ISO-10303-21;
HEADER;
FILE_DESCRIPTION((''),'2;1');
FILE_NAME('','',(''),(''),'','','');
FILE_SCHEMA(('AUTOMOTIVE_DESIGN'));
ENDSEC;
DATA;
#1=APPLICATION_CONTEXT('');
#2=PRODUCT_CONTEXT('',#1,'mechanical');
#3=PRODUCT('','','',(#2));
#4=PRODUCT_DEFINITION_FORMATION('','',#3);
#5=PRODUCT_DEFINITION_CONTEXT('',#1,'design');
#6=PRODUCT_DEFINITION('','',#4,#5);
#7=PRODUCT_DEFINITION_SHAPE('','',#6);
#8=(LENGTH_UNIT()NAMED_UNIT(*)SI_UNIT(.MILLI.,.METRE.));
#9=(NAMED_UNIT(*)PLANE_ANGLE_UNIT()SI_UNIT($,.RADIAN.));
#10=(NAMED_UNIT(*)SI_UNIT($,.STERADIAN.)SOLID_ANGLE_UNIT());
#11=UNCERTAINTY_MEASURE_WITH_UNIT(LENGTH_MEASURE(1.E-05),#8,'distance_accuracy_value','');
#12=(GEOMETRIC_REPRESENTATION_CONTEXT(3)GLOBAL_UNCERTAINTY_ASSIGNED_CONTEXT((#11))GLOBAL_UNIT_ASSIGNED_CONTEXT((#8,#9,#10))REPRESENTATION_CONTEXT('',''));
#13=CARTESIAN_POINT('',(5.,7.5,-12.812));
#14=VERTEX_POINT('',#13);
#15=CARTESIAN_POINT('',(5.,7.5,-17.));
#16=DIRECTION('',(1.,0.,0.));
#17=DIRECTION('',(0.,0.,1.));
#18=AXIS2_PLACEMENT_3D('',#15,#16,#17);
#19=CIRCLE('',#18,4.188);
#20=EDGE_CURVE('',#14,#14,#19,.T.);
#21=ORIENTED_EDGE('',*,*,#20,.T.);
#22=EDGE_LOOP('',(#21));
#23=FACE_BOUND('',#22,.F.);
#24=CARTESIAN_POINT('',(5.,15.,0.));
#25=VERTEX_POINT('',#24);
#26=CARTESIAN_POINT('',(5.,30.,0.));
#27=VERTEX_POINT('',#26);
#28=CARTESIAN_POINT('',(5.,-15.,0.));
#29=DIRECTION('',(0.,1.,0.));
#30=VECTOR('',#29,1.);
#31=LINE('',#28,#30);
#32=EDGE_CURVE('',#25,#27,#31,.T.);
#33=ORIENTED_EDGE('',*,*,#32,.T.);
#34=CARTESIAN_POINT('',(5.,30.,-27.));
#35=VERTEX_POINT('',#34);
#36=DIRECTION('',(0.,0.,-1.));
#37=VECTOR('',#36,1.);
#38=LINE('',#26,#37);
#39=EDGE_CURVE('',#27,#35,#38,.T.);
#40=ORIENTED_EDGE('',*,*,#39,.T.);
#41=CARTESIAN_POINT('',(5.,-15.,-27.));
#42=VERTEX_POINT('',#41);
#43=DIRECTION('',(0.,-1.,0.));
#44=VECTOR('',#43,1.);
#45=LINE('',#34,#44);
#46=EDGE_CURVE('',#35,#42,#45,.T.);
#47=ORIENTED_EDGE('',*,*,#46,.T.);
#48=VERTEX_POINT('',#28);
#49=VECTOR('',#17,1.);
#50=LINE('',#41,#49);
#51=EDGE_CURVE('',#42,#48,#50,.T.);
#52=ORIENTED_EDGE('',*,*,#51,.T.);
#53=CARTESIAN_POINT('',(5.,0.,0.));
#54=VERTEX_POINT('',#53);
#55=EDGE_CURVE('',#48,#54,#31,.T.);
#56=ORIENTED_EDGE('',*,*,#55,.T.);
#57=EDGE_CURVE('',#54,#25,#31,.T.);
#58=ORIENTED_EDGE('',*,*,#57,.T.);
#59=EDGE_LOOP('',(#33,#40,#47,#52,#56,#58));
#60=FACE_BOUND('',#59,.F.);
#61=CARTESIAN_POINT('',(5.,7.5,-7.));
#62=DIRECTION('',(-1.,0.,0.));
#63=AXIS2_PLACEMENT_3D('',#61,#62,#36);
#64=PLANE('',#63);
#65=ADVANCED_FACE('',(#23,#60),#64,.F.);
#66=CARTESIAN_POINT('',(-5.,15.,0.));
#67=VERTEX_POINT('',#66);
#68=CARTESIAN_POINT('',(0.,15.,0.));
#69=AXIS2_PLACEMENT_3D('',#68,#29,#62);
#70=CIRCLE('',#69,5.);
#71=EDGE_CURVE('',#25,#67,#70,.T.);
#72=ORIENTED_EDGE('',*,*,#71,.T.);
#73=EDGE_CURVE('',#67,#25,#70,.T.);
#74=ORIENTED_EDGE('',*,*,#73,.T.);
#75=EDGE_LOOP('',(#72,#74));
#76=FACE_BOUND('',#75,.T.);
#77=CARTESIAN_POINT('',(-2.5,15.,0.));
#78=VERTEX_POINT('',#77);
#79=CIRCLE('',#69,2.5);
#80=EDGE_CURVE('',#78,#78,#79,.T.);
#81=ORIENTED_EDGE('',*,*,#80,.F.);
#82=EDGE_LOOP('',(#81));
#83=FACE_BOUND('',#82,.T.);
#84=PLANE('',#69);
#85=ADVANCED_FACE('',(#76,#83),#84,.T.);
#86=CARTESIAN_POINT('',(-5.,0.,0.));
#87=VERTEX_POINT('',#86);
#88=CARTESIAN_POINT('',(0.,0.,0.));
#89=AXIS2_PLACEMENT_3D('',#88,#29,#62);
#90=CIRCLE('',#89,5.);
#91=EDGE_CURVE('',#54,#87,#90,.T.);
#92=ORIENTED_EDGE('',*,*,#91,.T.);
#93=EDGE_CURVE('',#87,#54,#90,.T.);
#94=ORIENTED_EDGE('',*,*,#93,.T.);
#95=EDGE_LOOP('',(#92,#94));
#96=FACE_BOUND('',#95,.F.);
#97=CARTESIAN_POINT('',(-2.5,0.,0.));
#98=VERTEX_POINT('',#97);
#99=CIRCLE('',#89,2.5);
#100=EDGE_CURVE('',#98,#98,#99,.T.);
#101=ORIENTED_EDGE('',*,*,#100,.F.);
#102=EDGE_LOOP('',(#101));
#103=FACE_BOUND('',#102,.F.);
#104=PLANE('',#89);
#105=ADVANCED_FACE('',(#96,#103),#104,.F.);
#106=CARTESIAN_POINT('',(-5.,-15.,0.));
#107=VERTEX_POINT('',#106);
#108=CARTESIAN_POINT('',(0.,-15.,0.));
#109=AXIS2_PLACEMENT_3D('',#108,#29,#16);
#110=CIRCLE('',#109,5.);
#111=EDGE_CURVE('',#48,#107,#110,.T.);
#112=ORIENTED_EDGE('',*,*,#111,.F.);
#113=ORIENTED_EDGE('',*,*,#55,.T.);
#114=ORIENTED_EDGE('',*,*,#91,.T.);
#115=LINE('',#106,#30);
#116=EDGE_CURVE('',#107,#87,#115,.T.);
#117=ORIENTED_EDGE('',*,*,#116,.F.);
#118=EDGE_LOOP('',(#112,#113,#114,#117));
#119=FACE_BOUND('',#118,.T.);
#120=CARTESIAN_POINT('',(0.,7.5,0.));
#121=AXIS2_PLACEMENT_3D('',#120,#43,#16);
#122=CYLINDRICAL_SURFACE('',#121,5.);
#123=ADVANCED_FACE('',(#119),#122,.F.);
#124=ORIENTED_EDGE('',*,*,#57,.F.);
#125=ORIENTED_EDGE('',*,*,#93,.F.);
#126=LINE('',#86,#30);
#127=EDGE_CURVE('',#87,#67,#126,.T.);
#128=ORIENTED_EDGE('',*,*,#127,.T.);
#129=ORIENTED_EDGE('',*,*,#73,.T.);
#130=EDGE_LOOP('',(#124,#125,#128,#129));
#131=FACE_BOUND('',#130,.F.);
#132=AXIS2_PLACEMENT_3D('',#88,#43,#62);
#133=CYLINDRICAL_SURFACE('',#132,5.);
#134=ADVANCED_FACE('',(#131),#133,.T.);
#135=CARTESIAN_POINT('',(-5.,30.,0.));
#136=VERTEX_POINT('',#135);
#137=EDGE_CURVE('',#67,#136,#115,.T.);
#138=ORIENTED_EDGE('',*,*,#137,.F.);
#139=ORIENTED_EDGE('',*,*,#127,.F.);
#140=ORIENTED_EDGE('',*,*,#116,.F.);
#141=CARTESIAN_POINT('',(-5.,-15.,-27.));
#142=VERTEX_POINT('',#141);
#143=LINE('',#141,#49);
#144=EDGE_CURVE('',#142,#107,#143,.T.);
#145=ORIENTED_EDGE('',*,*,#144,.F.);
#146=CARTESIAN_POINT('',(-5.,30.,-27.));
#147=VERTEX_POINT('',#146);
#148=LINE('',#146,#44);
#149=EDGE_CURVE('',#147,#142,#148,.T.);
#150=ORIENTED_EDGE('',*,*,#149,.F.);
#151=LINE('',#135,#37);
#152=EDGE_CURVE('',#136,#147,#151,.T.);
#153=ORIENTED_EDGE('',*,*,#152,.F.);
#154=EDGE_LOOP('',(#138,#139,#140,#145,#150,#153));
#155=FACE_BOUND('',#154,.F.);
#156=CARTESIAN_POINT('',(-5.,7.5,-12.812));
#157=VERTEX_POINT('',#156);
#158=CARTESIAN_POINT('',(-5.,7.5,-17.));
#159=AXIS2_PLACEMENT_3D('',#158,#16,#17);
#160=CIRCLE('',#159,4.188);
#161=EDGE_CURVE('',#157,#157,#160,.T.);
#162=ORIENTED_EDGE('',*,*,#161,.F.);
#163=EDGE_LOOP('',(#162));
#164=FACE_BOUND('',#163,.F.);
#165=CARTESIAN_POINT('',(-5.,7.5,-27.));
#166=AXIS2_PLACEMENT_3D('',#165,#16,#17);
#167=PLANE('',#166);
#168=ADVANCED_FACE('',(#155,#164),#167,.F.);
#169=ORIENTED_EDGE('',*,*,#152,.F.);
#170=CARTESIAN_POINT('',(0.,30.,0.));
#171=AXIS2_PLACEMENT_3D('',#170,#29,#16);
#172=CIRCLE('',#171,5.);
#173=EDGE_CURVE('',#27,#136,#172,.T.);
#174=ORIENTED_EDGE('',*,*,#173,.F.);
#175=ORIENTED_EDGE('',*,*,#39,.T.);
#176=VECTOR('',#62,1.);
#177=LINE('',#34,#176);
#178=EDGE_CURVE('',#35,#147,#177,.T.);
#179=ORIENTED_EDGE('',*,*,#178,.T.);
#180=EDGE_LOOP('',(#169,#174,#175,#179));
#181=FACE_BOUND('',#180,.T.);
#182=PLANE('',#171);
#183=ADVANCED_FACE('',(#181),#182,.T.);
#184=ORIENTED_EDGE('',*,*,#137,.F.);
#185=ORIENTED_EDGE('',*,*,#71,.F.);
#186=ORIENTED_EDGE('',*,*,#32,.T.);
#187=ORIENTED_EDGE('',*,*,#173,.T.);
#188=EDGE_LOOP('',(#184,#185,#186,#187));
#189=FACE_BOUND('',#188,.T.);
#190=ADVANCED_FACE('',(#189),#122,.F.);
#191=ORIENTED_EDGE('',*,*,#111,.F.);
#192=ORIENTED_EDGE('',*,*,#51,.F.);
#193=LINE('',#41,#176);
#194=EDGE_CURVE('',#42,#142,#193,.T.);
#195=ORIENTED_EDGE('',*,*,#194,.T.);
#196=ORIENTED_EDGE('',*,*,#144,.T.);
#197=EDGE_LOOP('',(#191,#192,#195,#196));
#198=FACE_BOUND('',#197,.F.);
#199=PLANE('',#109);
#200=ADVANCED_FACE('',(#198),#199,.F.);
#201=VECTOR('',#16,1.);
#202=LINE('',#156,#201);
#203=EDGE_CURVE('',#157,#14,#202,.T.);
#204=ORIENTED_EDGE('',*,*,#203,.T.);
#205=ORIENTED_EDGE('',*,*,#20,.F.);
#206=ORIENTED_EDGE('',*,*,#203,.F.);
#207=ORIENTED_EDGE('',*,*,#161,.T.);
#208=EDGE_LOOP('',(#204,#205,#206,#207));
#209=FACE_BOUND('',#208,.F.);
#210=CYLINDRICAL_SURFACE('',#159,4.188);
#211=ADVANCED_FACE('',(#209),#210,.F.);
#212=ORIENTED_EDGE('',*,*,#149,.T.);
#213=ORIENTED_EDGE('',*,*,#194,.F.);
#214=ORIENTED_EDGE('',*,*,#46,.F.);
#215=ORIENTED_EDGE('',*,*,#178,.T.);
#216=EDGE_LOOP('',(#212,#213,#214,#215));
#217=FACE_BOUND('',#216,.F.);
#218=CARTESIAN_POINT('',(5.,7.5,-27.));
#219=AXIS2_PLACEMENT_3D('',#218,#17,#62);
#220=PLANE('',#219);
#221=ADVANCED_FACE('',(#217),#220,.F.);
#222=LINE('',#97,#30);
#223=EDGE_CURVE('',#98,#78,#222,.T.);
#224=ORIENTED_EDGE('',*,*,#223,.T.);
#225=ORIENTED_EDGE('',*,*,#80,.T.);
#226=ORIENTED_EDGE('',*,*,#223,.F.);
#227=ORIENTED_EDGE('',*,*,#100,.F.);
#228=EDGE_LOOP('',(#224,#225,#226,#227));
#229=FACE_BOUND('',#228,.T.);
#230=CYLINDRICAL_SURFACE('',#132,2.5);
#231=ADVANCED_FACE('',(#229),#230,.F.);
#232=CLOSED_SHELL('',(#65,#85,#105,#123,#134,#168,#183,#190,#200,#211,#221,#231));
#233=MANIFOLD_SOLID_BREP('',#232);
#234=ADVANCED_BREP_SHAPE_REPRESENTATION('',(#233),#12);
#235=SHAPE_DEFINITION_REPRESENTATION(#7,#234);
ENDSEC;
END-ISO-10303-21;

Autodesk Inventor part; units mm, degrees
ref_plane "YZ Plane" through (0, 0, 0) normal (1, 0, 0) x (0, 1, 0)
ref_plane "XZ Plane" through (0, 0, 0) normal (0, 1, 0) x (-1, 0, 0)
ref_plane "XY Plane" through (0, 0, 0) normal (0, 0, 1) x (1, 0, 0)
sketch "草图1" plane through (0, 0, 0) normal (0, 1, 0) x (-1, 0, 0)
  circle A0 centre (0, 0) radius 5
  circle A1 centre (0, 0) radius 2.5
  dimension "d0" = 10
  dimension "d1" = 5
extrude "拉伸1" add sketch "草图1" along normal blind 15
ref_plane "工作平面1" through (0, 7.5, 0) normal (0, 1, 0) x (1, 0, 0)
sketch "草图2" plane through (0, 7.5, 0) normal (0, 1, 0) x (1, 0, 0)
  line L0 (-5, 7) -> (5, 7)
  line L1 (5, 7) -> (5, 27)
  line L2 (5, 27) -> (-5, 27)
  line L3 (-5, 27) -> (-5, 7)
  circle A0 centre (0, 0) radius 5
  circle A1 centre (0, 0) radius 5 projected
  line L4 (5, 0) -> (5, 7)
  circle A2 centre (0, 0) radius 5 projected
  line L5 (-5, 0) -> (-5, 7)
  dimension "d4" = 10
  dimension "d5" = 20
  dimension "d6" = 7
  dimension "d7" = 10
  dimension "d8" = 5
extrude "拉伸2" add sketch "草图2" along normal mid plane 45 contours L3 L2 L1 L0 | L0 L4 A0 L5
sketch "草图3" plane through (-5, -15, -27) normal (-1, 0, 0) x (0, 0, 1)
  line L0 (27, 0) -> (0, 0) projected
  line L1 (0, 0) -> (0, 45) projected
  point P0 (27, 15)
  point P1 (10, 22.5)
  dimension "d11" = 22.5
  dimension "d12" = 10
hole "孔1" at (-5, 7.5, -17) direction (1, 0, 0) diameter 8.376 depth 27.3 thread size "M10x1.5" designation "M10" class "6H" standard "GB Metric profile"
properties part number "连接块2"
